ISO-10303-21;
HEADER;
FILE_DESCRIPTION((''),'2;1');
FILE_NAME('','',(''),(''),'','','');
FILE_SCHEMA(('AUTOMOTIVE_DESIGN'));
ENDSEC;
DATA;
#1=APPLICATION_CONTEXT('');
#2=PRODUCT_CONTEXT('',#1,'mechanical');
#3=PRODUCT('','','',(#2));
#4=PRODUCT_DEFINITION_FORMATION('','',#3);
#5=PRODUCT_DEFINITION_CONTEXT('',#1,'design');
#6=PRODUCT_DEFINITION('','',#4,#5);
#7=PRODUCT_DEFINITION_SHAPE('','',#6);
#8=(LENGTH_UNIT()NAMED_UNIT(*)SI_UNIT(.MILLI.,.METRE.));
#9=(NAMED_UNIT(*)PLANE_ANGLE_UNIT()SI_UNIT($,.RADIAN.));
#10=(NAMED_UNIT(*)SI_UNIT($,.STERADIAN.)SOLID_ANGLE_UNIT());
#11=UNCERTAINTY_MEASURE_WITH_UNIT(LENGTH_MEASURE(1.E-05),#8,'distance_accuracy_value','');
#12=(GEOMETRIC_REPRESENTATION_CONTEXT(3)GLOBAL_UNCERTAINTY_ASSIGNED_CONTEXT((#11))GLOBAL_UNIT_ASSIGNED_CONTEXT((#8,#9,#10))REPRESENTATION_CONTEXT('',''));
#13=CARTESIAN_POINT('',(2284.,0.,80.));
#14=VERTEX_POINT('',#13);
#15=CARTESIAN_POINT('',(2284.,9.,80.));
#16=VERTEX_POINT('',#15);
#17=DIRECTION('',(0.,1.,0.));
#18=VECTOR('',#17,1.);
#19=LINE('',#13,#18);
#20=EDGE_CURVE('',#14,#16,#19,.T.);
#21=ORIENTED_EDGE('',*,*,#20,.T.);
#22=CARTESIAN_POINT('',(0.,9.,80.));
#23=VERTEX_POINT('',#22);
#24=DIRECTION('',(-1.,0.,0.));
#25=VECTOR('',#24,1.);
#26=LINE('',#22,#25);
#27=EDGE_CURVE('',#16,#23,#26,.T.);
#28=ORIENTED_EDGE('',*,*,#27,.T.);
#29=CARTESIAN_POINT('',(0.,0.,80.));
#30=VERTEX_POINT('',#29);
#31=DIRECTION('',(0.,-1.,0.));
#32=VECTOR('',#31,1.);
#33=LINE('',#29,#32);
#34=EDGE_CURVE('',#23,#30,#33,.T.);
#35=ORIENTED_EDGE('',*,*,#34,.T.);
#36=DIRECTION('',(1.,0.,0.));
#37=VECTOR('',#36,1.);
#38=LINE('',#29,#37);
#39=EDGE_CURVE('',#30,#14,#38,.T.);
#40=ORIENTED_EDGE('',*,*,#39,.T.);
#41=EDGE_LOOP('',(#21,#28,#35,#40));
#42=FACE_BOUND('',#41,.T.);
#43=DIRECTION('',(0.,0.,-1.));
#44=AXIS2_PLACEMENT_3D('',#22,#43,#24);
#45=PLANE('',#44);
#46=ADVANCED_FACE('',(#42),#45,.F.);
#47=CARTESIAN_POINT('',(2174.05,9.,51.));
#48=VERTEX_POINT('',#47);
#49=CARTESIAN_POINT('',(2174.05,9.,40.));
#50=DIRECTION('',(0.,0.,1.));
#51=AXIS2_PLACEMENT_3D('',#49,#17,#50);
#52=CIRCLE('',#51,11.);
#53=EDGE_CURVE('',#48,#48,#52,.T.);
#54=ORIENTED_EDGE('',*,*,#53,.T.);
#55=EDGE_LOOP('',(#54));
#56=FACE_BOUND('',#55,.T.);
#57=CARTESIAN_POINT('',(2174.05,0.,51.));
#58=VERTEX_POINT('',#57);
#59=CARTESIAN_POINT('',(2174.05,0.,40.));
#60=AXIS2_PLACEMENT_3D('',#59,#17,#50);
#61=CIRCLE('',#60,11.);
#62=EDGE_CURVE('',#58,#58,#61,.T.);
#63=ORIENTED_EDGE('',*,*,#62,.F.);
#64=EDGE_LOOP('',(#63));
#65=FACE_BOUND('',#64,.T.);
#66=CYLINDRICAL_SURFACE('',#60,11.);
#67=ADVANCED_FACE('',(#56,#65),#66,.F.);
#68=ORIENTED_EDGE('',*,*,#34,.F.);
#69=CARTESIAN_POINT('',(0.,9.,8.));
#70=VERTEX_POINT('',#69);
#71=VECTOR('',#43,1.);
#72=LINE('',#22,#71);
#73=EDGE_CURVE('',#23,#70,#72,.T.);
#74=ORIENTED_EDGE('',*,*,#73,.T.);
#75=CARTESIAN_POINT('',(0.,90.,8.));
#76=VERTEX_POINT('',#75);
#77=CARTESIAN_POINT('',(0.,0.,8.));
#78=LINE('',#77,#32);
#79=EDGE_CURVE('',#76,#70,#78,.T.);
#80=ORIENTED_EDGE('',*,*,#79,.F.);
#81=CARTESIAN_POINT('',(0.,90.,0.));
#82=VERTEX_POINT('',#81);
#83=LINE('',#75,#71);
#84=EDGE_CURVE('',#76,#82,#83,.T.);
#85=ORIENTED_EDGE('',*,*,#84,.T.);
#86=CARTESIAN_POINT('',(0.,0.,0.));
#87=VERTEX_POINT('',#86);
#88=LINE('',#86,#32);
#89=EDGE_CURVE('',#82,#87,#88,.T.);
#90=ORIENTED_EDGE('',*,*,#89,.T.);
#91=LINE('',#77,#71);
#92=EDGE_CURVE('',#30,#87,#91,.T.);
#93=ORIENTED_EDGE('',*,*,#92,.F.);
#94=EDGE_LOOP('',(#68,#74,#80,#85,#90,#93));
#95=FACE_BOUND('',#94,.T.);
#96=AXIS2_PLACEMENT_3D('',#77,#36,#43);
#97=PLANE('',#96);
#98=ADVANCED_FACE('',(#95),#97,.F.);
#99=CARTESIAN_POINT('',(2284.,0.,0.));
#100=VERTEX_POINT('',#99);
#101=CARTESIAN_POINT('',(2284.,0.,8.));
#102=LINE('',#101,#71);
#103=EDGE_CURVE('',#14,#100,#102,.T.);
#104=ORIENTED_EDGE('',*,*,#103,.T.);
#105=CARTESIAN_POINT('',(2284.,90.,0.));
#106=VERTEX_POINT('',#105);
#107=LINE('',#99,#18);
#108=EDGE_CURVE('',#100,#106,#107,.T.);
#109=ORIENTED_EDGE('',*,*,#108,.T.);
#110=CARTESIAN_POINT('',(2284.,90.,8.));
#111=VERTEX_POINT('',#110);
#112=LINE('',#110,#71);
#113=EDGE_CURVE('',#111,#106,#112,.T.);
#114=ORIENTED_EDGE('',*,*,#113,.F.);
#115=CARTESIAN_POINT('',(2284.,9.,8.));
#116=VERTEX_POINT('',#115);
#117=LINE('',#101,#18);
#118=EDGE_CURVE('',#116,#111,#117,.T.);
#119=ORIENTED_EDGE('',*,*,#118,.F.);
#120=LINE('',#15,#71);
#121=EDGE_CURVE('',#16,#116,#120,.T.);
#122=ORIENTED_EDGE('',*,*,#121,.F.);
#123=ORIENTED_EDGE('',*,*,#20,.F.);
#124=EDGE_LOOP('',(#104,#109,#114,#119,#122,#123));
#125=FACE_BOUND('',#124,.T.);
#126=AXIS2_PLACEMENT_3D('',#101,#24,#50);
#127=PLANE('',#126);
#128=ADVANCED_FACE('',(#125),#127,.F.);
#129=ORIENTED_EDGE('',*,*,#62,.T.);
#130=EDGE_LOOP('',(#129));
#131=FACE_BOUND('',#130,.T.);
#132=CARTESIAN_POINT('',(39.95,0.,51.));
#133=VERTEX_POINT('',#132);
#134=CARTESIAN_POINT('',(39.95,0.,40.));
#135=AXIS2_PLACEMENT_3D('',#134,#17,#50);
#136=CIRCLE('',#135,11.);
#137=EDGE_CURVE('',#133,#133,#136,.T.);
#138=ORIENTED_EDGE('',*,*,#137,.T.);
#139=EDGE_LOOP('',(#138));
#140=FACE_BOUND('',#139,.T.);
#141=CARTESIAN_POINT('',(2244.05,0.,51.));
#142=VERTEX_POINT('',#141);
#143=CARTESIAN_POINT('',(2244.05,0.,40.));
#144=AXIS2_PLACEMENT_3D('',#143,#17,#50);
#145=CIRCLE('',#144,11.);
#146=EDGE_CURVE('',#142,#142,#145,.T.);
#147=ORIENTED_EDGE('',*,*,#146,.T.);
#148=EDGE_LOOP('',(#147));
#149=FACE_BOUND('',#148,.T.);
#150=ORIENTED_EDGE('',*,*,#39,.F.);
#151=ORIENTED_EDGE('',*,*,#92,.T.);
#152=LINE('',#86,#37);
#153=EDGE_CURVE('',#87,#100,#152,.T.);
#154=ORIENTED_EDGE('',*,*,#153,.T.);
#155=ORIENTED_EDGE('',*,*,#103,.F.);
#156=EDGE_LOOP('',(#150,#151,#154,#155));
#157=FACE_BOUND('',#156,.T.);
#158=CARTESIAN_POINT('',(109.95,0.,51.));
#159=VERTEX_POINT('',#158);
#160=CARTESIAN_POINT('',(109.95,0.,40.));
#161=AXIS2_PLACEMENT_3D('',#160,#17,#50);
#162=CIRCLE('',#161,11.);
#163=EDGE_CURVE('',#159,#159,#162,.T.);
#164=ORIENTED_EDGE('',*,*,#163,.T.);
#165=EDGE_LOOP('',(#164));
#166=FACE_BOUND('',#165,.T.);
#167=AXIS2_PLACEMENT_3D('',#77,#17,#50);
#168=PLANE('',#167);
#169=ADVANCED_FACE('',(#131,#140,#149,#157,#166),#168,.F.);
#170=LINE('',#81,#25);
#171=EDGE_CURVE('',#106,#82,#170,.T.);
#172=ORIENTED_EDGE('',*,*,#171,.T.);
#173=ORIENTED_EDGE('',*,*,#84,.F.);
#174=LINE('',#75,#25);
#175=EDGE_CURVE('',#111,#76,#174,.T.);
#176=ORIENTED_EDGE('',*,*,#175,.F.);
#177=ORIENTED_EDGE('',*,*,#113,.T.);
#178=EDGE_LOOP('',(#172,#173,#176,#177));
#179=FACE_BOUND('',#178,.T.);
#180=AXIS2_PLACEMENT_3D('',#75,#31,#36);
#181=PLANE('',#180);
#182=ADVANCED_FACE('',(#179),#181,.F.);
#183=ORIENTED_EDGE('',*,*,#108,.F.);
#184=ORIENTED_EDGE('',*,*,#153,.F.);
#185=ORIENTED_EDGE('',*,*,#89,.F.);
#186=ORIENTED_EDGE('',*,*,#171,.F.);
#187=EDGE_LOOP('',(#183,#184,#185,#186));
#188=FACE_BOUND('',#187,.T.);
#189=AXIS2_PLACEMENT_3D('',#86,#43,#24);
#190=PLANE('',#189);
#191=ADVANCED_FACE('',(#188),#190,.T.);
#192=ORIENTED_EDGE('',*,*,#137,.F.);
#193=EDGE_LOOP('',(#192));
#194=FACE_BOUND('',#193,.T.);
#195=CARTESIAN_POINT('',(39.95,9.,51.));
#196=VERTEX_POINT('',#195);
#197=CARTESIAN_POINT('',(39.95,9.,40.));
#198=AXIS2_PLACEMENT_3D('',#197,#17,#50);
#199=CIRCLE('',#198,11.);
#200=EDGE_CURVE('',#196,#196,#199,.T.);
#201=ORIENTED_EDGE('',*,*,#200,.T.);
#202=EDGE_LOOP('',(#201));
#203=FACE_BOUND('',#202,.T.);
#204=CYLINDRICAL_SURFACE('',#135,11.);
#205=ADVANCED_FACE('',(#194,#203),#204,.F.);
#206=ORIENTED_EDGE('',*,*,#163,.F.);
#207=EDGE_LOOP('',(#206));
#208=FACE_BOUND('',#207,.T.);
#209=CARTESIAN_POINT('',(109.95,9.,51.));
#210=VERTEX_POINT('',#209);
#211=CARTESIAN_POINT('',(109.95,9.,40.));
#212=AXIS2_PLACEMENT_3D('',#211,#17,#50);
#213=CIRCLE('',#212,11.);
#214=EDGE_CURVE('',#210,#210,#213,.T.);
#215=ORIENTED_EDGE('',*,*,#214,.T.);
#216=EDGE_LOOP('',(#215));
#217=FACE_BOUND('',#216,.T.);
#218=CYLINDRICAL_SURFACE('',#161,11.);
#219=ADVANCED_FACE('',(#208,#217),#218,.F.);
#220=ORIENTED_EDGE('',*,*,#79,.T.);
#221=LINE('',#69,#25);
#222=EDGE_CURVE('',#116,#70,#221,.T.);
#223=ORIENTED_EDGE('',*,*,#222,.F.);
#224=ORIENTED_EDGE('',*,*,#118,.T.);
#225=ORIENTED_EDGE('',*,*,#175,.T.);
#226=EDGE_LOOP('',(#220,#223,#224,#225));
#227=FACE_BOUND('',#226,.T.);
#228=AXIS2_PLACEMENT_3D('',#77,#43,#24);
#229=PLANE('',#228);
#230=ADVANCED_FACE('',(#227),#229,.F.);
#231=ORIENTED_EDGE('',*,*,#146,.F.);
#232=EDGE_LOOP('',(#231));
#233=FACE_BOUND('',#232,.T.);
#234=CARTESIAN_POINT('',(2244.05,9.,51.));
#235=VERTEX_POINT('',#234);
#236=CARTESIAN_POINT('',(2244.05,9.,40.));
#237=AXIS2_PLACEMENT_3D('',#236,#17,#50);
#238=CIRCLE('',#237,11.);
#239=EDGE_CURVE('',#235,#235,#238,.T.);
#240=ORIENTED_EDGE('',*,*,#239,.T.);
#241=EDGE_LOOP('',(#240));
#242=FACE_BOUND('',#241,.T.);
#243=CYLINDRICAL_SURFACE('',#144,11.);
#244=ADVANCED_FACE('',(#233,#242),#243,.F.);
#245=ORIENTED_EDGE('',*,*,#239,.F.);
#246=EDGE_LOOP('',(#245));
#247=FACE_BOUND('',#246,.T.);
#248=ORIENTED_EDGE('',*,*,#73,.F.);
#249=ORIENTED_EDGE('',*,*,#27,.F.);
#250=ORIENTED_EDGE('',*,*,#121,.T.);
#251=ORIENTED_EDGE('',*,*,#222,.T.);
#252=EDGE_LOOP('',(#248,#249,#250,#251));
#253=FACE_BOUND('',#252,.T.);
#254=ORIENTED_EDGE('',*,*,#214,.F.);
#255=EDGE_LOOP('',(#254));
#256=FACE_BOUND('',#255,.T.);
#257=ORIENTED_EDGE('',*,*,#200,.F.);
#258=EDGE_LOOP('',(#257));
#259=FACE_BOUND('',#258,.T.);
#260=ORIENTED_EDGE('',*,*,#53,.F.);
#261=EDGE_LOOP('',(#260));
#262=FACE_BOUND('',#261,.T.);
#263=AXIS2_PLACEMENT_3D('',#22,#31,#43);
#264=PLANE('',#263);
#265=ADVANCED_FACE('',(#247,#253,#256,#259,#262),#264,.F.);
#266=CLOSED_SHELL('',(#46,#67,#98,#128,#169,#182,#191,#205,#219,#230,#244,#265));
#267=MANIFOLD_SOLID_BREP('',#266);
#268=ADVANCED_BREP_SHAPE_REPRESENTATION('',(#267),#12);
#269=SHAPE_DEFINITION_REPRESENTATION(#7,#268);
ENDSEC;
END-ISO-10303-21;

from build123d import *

# Parameters (mm, degrees)
SKETCH_263_W        = 2284
SKETCH_263_H        = 90
EXTRUDE_4_DEPTH     = 8
SKETCH_3_W          = 2284
SKETCH_3_H          = 9
EXTRUDE_5_DEPTH     = 72
SKETCH_4_R          = 11
CUT_EXTRUDE_2_DEPTH = 2287.835586569


with BuildPart() as part:
    # Sketch 263 → 拉伸4 (new body)
    with BuildSketch(Plane.XY):
        with Locations((1142, 45)):
            Rectangle(SKETCH_263_W, SKETCH_263_H)
    extrude(amount=EXTRUDE_4_DEPTH)

    # 草图3 → 拉伸5 (add)
    with BuildSketch(Plane.XY.offset(8)):
        with Locations((1142, 4.5)):
            Rectangle(SKETCH_3_W, SKETCH_3_H)
    extrude(amount=EXTRUDE_5_DEPTH)

    # 草图4 → 切除-拉伸2 (cut, through all)
    with BuildSketch(Plane(origin=(0, 9, 0), x_dir=(1, 0, 0), z_dir=(0, 1, 0))):
        with Locations(Location((39.95, -40, 0), (0, 0, 270))):
            Circle(SKETCH_4_R)
        with Locations(Location((109.95, -40, 0), (0, 0, 270))):
            Circle(SKETCH_4_R)
        with Locations(Location((2174.05, -40, 0), (0, 0, 270))):
            Circle(SKETCH_4_R)
        with Locations(Location((2244.05, -40, 0), (0, 0, 270))):
            Circle(SKETCH_4_R)
    extrude(amount=-CUT_EXTRUDE_2_DEPTH, mode=Mode.SUBTRACT)


solid = part.part
